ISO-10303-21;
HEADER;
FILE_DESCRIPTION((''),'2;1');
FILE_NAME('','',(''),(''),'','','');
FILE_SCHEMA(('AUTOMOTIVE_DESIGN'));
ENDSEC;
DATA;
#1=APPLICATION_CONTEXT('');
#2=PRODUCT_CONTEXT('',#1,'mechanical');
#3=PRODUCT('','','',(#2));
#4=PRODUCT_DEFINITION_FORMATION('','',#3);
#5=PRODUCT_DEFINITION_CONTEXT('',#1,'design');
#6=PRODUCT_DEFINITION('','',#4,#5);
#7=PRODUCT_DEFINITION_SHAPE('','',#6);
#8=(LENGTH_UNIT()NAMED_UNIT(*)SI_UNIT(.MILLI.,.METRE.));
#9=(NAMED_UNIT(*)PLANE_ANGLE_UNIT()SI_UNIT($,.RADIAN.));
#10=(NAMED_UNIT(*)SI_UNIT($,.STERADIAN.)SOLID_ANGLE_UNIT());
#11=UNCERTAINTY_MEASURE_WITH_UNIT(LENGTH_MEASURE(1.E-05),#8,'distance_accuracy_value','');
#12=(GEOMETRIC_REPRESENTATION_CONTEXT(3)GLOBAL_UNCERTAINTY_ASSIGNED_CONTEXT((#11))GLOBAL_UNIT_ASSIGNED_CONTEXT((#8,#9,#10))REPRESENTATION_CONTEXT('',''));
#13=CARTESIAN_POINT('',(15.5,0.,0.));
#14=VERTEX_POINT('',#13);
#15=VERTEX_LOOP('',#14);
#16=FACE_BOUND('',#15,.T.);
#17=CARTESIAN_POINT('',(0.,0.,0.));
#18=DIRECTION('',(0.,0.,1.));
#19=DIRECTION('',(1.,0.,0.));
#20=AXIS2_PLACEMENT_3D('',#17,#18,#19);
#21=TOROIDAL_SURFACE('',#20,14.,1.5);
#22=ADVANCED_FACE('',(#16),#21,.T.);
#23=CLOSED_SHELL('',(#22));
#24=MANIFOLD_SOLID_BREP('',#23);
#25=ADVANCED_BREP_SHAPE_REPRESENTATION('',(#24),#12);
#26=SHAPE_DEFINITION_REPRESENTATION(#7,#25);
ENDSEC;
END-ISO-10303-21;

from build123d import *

# Parameters (mm, degrees)
SKETCH2_R = 1.5


with BuildPart() as part:
    # Sketch2 → Revolve1 (revolve)
    with BuildSketch(Plane(origin=(0, 0, 0), x_dir=(1, 0, 0), z_dir=(0, 1, 0))):
        with Locations((14, 0)):
            Circle(SKETCH2_R)
    revolve(axis=Axis((0, 0, 6.25), (0, 0, -1)))


solid = part.part
